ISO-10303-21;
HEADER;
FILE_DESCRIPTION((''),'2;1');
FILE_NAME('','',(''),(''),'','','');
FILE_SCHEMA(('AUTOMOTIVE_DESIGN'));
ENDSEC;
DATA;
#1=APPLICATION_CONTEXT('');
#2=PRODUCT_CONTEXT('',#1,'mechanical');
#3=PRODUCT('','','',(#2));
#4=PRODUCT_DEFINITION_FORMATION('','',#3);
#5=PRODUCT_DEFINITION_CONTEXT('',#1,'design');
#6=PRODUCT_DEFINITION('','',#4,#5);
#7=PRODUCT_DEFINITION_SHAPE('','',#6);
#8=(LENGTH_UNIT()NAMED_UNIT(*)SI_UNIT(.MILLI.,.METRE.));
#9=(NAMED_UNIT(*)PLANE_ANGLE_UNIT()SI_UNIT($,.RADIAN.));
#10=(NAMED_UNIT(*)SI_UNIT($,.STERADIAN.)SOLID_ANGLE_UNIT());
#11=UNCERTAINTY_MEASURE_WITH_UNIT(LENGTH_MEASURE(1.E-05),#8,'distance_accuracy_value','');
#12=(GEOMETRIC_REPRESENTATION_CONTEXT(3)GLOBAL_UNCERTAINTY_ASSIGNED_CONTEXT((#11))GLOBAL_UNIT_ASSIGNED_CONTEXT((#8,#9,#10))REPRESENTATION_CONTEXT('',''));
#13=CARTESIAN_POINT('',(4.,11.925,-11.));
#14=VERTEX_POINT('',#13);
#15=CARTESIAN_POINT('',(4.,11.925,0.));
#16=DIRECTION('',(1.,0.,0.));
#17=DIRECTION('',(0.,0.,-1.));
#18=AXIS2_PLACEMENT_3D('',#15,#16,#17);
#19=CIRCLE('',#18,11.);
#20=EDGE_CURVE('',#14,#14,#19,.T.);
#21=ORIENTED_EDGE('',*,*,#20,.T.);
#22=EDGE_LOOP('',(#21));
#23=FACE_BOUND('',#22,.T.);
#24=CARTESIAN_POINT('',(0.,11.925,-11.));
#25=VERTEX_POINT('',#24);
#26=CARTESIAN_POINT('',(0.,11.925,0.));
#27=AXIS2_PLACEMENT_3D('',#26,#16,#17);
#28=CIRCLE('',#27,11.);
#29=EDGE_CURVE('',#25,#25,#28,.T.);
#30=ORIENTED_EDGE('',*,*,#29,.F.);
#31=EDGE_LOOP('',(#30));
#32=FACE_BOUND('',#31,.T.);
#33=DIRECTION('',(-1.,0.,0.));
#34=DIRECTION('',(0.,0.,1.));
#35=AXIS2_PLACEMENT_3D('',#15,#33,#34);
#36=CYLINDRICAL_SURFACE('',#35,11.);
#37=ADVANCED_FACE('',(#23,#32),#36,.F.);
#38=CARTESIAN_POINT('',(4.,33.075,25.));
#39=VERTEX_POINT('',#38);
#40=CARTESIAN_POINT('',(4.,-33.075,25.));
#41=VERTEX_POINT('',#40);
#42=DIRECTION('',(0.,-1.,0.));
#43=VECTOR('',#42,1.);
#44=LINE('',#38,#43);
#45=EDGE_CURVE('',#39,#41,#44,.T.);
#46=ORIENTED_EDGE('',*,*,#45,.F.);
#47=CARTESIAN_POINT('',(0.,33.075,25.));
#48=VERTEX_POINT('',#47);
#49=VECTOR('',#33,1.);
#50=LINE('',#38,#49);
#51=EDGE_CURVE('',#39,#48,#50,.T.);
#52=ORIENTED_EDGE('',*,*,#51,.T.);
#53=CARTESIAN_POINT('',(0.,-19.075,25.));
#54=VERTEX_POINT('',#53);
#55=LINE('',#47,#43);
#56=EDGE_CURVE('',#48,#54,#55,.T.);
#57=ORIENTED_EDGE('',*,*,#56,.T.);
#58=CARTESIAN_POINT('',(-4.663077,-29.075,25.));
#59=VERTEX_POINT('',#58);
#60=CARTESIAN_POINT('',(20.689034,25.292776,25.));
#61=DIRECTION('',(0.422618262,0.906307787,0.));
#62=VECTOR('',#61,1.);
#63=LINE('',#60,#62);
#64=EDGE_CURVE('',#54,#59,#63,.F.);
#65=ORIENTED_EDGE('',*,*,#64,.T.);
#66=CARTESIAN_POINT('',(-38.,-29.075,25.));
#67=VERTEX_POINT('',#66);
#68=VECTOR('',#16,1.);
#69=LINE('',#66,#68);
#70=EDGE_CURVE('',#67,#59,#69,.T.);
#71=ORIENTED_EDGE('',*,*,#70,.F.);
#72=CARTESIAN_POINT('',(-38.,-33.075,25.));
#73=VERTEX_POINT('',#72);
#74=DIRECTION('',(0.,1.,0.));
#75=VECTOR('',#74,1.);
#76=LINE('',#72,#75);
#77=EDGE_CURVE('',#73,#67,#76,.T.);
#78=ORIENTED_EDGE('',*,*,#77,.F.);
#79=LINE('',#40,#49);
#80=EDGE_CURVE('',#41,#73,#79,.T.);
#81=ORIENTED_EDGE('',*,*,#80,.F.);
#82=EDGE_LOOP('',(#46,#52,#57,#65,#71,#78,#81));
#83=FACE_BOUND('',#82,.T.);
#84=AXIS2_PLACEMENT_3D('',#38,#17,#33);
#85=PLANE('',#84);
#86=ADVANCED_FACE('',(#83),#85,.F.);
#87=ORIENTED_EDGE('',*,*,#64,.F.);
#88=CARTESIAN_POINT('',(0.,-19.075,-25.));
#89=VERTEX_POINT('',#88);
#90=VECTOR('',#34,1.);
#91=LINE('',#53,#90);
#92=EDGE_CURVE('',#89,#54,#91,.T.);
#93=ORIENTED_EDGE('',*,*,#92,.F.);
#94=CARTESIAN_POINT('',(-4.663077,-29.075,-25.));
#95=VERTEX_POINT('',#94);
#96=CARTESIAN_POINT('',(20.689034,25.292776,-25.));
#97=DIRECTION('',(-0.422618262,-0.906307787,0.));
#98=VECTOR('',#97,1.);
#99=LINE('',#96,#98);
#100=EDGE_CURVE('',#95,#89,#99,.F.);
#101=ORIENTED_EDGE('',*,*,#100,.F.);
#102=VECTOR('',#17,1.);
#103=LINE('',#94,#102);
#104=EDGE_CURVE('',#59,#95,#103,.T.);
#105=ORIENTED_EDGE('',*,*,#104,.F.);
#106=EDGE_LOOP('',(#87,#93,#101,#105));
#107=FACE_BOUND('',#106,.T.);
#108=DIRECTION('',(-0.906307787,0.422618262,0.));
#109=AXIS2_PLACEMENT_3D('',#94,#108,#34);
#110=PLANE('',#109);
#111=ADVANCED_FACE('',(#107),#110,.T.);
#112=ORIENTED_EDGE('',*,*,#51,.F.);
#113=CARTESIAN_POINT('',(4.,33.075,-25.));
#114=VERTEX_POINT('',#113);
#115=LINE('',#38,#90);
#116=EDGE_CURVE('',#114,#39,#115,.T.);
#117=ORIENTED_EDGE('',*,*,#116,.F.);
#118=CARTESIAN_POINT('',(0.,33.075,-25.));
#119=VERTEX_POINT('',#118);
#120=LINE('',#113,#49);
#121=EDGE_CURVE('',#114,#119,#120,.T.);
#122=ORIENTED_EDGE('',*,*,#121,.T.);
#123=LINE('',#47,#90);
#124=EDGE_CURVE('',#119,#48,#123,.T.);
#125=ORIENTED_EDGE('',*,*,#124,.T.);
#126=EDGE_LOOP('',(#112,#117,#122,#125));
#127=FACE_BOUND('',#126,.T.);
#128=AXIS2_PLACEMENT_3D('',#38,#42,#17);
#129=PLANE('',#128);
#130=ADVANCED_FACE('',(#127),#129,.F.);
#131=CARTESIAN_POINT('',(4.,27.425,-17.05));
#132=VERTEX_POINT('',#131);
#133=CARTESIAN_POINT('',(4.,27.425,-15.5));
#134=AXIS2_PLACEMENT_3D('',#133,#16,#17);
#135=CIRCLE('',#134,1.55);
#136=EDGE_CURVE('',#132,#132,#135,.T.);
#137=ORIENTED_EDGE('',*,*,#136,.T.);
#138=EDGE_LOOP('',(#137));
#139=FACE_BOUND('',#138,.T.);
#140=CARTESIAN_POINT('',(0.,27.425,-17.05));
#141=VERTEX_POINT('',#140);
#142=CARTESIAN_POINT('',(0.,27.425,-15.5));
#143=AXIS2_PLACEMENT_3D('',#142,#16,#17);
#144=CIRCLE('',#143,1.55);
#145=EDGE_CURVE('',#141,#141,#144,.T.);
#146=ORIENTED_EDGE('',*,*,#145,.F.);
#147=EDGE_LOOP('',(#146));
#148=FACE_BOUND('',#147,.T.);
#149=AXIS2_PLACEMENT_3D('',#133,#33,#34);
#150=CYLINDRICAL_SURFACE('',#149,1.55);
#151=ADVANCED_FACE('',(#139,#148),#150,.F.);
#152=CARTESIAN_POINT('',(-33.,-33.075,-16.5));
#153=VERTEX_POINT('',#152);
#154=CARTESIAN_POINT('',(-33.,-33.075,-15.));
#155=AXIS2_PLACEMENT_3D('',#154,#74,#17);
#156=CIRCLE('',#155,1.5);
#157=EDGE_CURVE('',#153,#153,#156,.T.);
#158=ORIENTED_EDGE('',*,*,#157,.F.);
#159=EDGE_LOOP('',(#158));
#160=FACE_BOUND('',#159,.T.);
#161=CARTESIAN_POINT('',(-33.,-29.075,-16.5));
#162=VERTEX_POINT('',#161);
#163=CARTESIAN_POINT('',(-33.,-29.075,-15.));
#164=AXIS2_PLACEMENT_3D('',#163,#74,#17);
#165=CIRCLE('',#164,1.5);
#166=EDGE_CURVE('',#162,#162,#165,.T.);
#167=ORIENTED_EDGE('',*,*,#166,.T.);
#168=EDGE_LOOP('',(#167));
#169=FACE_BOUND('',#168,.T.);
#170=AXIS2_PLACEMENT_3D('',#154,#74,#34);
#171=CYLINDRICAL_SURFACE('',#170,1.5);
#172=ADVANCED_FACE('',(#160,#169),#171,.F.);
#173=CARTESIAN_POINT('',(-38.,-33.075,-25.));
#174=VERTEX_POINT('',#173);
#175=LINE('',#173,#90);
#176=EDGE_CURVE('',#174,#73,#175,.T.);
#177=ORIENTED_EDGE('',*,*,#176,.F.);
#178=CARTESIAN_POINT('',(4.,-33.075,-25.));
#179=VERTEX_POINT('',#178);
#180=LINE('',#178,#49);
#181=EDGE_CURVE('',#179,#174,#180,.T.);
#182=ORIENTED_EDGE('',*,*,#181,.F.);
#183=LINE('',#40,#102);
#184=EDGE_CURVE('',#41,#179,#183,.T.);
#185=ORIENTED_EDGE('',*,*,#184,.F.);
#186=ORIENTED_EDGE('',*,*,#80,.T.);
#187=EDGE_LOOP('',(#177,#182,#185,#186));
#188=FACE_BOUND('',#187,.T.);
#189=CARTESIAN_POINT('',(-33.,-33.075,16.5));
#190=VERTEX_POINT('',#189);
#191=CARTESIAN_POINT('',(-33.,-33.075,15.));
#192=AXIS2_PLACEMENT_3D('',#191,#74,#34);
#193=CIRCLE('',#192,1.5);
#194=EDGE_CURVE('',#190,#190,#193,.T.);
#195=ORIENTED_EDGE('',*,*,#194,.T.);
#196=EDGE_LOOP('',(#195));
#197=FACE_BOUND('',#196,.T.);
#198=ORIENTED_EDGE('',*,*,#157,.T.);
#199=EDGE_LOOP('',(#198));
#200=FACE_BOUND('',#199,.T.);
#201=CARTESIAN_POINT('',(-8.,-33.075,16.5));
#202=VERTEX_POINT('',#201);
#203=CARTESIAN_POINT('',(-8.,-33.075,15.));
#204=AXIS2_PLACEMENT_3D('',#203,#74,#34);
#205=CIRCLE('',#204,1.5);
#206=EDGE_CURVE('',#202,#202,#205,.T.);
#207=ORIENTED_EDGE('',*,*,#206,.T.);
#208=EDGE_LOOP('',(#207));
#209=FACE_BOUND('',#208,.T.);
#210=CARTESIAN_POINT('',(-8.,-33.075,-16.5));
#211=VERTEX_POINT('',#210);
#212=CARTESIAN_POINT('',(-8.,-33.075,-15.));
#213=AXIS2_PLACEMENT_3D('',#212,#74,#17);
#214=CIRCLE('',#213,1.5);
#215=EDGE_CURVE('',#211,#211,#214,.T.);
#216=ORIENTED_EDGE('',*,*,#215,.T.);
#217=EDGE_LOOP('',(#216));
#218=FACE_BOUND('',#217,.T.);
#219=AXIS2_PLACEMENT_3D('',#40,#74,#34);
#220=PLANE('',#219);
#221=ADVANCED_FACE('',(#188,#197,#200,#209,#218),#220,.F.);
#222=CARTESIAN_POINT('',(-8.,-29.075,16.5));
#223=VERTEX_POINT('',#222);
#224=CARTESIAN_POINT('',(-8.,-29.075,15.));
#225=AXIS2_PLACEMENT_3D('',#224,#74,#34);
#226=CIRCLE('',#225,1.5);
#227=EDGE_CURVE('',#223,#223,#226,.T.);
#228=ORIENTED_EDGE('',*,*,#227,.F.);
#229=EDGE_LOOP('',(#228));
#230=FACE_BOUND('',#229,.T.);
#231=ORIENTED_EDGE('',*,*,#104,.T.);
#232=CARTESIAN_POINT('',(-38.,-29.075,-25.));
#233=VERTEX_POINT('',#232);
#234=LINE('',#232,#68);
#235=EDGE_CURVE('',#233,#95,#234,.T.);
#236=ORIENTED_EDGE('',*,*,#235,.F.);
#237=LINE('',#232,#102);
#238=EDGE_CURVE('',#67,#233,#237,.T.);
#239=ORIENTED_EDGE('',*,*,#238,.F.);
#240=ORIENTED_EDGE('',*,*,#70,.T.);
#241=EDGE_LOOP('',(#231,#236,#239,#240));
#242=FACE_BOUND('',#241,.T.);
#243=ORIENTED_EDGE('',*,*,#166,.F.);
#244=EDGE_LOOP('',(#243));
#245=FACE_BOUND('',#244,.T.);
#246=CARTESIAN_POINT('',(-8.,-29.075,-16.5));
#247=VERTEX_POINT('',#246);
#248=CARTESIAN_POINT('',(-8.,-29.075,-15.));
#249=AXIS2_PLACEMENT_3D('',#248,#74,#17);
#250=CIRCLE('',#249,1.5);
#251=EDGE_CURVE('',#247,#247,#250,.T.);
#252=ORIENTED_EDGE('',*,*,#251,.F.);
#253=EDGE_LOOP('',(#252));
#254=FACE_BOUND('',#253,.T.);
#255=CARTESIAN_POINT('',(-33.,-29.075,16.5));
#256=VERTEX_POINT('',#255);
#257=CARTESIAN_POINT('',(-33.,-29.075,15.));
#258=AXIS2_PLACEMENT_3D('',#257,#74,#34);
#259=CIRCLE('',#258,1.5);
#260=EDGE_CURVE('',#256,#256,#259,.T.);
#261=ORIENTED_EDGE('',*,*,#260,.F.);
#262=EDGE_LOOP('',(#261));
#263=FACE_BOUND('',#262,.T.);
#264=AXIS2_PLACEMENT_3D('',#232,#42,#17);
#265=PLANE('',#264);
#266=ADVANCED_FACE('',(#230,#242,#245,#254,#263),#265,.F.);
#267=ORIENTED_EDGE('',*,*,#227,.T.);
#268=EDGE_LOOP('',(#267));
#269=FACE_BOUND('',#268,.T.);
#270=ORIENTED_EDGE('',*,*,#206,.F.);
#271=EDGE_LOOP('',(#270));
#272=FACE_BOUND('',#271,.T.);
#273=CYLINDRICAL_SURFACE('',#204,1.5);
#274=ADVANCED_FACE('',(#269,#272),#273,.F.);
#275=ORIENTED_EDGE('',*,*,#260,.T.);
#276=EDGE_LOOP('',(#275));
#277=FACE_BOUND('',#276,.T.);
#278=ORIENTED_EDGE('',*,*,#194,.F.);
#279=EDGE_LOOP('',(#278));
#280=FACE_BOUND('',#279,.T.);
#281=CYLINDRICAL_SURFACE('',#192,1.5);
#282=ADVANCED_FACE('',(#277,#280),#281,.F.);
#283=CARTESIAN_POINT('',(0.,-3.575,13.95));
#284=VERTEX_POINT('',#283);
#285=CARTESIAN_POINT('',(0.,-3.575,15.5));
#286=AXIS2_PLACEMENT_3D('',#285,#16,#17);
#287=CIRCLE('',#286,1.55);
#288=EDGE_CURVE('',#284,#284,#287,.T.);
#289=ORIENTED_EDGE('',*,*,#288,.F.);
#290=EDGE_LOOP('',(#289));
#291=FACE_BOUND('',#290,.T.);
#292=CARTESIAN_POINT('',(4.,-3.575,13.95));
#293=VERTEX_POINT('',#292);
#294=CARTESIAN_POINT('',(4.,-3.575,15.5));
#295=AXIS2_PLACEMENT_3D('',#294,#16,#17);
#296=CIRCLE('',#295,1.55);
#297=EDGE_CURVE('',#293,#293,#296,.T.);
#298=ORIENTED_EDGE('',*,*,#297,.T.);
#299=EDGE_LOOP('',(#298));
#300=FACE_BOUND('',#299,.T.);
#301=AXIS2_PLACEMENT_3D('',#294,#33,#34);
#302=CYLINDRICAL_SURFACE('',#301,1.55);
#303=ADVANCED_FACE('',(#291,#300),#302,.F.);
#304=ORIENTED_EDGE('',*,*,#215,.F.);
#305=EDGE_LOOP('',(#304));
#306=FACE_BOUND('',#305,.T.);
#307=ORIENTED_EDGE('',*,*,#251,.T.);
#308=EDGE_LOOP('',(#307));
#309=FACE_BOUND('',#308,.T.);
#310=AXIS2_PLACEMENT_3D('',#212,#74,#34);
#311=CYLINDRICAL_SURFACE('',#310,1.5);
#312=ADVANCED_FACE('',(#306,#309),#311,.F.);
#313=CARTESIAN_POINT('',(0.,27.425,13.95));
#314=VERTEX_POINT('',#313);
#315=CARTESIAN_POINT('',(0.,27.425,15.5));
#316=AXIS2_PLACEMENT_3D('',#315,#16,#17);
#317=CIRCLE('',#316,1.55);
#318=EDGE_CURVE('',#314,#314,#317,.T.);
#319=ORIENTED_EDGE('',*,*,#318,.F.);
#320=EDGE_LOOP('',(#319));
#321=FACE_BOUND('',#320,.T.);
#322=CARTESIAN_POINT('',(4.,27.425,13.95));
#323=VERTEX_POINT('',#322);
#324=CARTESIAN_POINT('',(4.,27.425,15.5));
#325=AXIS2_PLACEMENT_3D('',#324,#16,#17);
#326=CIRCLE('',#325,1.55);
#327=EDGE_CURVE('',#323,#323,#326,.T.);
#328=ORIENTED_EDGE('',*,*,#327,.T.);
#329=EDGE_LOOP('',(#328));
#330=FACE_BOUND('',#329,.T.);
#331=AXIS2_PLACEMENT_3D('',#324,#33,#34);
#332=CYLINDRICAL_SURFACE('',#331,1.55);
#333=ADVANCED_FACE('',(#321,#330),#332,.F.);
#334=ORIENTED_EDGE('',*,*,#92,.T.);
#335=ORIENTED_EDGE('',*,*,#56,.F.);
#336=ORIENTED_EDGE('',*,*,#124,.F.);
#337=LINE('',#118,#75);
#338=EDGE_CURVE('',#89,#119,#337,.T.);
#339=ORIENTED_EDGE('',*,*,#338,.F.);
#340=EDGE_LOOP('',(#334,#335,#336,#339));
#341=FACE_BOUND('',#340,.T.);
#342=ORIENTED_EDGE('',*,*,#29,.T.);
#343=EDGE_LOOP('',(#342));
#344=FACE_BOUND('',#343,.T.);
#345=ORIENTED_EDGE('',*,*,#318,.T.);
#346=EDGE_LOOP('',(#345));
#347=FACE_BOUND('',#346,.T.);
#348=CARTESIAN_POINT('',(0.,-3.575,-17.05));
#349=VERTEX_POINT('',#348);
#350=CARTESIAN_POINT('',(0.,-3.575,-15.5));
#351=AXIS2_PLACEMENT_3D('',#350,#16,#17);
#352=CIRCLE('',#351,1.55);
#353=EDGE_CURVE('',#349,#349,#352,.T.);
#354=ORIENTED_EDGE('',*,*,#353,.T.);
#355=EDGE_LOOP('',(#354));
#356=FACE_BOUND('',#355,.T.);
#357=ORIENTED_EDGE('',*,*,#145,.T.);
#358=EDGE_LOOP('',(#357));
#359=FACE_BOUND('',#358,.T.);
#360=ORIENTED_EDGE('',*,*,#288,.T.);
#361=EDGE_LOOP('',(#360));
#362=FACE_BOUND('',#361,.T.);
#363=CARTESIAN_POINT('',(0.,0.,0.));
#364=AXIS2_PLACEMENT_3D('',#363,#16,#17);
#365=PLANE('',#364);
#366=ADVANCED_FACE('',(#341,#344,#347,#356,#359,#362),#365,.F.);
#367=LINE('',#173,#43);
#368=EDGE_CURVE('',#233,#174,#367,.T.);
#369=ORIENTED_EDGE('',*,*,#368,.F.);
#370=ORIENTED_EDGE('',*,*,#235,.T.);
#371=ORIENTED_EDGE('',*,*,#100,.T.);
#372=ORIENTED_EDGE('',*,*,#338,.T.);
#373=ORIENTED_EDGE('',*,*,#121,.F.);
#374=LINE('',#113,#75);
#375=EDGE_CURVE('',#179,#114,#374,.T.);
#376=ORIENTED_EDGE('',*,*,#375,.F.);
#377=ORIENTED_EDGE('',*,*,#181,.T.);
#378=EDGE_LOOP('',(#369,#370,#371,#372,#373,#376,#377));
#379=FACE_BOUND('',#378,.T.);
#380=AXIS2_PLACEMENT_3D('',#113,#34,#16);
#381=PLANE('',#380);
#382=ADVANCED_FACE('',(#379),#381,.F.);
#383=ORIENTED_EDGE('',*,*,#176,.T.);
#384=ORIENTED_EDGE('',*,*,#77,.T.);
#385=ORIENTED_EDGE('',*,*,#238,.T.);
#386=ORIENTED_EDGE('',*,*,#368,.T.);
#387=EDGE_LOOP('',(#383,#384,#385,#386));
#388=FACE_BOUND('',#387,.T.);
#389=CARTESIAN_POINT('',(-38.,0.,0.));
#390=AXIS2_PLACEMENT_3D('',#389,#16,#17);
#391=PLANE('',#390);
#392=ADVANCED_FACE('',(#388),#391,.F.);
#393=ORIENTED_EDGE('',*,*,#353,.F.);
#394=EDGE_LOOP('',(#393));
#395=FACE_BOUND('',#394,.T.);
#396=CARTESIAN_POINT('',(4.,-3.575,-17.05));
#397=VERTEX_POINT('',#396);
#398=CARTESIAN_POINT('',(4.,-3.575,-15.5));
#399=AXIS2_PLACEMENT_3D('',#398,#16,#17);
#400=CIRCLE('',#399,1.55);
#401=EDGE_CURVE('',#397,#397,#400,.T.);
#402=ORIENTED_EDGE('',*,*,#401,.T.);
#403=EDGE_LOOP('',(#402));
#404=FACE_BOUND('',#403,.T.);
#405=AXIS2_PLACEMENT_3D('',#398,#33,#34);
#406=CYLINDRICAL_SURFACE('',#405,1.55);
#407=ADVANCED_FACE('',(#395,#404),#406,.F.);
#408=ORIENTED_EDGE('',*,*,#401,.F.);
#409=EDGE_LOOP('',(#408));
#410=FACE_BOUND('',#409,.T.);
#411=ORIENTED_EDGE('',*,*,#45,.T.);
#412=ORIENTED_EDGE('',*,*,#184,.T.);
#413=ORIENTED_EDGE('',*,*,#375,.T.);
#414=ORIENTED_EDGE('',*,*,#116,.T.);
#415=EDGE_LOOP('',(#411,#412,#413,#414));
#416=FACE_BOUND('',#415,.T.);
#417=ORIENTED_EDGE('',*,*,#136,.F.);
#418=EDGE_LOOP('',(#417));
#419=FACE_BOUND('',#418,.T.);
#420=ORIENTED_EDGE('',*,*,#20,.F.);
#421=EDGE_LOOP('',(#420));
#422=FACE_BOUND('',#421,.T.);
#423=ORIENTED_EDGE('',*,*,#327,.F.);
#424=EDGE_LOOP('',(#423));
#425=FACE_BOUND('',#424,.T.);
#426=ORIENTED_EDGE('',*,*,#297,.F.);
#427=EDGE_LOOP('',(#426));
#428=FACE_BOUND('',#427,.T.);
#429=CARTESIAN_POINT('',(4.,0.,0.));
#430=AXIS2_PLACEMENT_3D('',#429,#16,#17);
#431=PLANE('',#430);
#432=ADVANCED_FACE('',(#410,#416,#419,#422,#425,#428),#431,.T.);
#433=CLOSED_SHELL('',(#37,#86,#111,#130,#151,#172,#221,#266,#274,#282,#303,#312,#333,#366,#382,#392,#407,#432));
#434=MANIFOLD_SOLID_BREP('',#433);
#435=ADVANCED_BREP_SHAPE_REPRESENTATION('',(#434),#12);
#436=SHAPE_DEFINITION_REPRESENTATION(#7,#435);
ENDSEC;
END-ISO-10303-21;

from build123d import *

# Parameters (mm, degrees)
SKETCH1_W           = 50
SKETCH1_H           = 66.15
SKETCH1_R           = 11
SKETCH1_R_2         = 1.55
BOSS_EXTRUDE1_DEPTH = 4
SKETCH2_W           = 50
SKETCH2_H           = 4
BOSS_EXTRUDE2_DEPTH = 38
SKETCH3_R           = 1.5
CUT_EXTRUDE1_DEPTH  = 78.017027338
CHAMFER1_SIZE       = 10
CHAMFER1_SIZE2      = 4.663076582


with BuildPart() as part:
    # Sketch1 → Boss-Extrude1 (new body)
    with BuildSketch(Plane(origin=(0, 0, 0), x_dir=(0, 0, -1), z_dir=(1, 0, 0))):
        Rectangle(SKETCH1_W, SKETCH1_H)
        with Locations((0, 11.925)):
            Circle(SKETCH1_R, mode=Mode.SUBTRACT)
        with Locations((-15.5, 27.425)):
            Circle(SKETCH1_R_2, mode=Mode.SUBTRACT)
        with Locations((15.5, 27.425)):
            Circle(SKETCH1_R_2, mode=Mode.SUBTRACT)
        with Locations((15.5, -3.575)):
            Circle(SKETCH1_R_2, mode=Mode.SUBTRACT)
        with Locations((-15.5, -3.575)):
            Circle(SKETCH1_R_2, mode=Mode.SUBTRACT)
    extrude(amount=BOSS_EXTRUDE1_DEPTH)

    # Sketch2 → Boss-Extrude2 (add)
    with BuildSketch(Plane.ZY):
        with Locations((0, -31.075)):
            Rectangle(SKETCH2_W, SKETCH2_H)
    extrude(amount=BOSS_EXTRUDE2_DEPTH)

    # Sketch3 → Cut-Extrude1 (cut, through all)
    with BuildSketch(Plane(origin=(0, -29.075, 0), x_dir=(1, 0, 0), z_dir=(0, 1, 0))):
        with Locations(Location((-33, -15, 0), (0, 0, 270))):
            Circle(SKETCH3_R)
        with Locations(Location((-8, -15, 0), (0, 0, 270))):
            Circle(SKETCH3_R)
        with Locations(Location((-8, 15, 0), (0, 0, 90))):
            Circle(SKETCH3_R)
        with Locations(Location((-33, 15, 0), (0, 0, 90))):
            Circle(SKETCH3_R)
    extrude(amount=-CUT_EXTRUDE1_DEPTH, mode=Mode.SUBTRACT)

    # Chamfer1
    chamfer1_edges = [part.edges().sort_by_distance(p)[0] for p in [
        (0, -29.075, 0),
    ]]
    chamfer1_side = [part.faces().sort_by_distance(p)[0] for p in [
        (0, 0.490102601, 0),
    ]]
    chamfer(chamfer1_edges, length=CHAMFER1_SIZE, length2=CHAMFER1_SIZE2, reference=chamfer1_side[0])


solid = part.part
